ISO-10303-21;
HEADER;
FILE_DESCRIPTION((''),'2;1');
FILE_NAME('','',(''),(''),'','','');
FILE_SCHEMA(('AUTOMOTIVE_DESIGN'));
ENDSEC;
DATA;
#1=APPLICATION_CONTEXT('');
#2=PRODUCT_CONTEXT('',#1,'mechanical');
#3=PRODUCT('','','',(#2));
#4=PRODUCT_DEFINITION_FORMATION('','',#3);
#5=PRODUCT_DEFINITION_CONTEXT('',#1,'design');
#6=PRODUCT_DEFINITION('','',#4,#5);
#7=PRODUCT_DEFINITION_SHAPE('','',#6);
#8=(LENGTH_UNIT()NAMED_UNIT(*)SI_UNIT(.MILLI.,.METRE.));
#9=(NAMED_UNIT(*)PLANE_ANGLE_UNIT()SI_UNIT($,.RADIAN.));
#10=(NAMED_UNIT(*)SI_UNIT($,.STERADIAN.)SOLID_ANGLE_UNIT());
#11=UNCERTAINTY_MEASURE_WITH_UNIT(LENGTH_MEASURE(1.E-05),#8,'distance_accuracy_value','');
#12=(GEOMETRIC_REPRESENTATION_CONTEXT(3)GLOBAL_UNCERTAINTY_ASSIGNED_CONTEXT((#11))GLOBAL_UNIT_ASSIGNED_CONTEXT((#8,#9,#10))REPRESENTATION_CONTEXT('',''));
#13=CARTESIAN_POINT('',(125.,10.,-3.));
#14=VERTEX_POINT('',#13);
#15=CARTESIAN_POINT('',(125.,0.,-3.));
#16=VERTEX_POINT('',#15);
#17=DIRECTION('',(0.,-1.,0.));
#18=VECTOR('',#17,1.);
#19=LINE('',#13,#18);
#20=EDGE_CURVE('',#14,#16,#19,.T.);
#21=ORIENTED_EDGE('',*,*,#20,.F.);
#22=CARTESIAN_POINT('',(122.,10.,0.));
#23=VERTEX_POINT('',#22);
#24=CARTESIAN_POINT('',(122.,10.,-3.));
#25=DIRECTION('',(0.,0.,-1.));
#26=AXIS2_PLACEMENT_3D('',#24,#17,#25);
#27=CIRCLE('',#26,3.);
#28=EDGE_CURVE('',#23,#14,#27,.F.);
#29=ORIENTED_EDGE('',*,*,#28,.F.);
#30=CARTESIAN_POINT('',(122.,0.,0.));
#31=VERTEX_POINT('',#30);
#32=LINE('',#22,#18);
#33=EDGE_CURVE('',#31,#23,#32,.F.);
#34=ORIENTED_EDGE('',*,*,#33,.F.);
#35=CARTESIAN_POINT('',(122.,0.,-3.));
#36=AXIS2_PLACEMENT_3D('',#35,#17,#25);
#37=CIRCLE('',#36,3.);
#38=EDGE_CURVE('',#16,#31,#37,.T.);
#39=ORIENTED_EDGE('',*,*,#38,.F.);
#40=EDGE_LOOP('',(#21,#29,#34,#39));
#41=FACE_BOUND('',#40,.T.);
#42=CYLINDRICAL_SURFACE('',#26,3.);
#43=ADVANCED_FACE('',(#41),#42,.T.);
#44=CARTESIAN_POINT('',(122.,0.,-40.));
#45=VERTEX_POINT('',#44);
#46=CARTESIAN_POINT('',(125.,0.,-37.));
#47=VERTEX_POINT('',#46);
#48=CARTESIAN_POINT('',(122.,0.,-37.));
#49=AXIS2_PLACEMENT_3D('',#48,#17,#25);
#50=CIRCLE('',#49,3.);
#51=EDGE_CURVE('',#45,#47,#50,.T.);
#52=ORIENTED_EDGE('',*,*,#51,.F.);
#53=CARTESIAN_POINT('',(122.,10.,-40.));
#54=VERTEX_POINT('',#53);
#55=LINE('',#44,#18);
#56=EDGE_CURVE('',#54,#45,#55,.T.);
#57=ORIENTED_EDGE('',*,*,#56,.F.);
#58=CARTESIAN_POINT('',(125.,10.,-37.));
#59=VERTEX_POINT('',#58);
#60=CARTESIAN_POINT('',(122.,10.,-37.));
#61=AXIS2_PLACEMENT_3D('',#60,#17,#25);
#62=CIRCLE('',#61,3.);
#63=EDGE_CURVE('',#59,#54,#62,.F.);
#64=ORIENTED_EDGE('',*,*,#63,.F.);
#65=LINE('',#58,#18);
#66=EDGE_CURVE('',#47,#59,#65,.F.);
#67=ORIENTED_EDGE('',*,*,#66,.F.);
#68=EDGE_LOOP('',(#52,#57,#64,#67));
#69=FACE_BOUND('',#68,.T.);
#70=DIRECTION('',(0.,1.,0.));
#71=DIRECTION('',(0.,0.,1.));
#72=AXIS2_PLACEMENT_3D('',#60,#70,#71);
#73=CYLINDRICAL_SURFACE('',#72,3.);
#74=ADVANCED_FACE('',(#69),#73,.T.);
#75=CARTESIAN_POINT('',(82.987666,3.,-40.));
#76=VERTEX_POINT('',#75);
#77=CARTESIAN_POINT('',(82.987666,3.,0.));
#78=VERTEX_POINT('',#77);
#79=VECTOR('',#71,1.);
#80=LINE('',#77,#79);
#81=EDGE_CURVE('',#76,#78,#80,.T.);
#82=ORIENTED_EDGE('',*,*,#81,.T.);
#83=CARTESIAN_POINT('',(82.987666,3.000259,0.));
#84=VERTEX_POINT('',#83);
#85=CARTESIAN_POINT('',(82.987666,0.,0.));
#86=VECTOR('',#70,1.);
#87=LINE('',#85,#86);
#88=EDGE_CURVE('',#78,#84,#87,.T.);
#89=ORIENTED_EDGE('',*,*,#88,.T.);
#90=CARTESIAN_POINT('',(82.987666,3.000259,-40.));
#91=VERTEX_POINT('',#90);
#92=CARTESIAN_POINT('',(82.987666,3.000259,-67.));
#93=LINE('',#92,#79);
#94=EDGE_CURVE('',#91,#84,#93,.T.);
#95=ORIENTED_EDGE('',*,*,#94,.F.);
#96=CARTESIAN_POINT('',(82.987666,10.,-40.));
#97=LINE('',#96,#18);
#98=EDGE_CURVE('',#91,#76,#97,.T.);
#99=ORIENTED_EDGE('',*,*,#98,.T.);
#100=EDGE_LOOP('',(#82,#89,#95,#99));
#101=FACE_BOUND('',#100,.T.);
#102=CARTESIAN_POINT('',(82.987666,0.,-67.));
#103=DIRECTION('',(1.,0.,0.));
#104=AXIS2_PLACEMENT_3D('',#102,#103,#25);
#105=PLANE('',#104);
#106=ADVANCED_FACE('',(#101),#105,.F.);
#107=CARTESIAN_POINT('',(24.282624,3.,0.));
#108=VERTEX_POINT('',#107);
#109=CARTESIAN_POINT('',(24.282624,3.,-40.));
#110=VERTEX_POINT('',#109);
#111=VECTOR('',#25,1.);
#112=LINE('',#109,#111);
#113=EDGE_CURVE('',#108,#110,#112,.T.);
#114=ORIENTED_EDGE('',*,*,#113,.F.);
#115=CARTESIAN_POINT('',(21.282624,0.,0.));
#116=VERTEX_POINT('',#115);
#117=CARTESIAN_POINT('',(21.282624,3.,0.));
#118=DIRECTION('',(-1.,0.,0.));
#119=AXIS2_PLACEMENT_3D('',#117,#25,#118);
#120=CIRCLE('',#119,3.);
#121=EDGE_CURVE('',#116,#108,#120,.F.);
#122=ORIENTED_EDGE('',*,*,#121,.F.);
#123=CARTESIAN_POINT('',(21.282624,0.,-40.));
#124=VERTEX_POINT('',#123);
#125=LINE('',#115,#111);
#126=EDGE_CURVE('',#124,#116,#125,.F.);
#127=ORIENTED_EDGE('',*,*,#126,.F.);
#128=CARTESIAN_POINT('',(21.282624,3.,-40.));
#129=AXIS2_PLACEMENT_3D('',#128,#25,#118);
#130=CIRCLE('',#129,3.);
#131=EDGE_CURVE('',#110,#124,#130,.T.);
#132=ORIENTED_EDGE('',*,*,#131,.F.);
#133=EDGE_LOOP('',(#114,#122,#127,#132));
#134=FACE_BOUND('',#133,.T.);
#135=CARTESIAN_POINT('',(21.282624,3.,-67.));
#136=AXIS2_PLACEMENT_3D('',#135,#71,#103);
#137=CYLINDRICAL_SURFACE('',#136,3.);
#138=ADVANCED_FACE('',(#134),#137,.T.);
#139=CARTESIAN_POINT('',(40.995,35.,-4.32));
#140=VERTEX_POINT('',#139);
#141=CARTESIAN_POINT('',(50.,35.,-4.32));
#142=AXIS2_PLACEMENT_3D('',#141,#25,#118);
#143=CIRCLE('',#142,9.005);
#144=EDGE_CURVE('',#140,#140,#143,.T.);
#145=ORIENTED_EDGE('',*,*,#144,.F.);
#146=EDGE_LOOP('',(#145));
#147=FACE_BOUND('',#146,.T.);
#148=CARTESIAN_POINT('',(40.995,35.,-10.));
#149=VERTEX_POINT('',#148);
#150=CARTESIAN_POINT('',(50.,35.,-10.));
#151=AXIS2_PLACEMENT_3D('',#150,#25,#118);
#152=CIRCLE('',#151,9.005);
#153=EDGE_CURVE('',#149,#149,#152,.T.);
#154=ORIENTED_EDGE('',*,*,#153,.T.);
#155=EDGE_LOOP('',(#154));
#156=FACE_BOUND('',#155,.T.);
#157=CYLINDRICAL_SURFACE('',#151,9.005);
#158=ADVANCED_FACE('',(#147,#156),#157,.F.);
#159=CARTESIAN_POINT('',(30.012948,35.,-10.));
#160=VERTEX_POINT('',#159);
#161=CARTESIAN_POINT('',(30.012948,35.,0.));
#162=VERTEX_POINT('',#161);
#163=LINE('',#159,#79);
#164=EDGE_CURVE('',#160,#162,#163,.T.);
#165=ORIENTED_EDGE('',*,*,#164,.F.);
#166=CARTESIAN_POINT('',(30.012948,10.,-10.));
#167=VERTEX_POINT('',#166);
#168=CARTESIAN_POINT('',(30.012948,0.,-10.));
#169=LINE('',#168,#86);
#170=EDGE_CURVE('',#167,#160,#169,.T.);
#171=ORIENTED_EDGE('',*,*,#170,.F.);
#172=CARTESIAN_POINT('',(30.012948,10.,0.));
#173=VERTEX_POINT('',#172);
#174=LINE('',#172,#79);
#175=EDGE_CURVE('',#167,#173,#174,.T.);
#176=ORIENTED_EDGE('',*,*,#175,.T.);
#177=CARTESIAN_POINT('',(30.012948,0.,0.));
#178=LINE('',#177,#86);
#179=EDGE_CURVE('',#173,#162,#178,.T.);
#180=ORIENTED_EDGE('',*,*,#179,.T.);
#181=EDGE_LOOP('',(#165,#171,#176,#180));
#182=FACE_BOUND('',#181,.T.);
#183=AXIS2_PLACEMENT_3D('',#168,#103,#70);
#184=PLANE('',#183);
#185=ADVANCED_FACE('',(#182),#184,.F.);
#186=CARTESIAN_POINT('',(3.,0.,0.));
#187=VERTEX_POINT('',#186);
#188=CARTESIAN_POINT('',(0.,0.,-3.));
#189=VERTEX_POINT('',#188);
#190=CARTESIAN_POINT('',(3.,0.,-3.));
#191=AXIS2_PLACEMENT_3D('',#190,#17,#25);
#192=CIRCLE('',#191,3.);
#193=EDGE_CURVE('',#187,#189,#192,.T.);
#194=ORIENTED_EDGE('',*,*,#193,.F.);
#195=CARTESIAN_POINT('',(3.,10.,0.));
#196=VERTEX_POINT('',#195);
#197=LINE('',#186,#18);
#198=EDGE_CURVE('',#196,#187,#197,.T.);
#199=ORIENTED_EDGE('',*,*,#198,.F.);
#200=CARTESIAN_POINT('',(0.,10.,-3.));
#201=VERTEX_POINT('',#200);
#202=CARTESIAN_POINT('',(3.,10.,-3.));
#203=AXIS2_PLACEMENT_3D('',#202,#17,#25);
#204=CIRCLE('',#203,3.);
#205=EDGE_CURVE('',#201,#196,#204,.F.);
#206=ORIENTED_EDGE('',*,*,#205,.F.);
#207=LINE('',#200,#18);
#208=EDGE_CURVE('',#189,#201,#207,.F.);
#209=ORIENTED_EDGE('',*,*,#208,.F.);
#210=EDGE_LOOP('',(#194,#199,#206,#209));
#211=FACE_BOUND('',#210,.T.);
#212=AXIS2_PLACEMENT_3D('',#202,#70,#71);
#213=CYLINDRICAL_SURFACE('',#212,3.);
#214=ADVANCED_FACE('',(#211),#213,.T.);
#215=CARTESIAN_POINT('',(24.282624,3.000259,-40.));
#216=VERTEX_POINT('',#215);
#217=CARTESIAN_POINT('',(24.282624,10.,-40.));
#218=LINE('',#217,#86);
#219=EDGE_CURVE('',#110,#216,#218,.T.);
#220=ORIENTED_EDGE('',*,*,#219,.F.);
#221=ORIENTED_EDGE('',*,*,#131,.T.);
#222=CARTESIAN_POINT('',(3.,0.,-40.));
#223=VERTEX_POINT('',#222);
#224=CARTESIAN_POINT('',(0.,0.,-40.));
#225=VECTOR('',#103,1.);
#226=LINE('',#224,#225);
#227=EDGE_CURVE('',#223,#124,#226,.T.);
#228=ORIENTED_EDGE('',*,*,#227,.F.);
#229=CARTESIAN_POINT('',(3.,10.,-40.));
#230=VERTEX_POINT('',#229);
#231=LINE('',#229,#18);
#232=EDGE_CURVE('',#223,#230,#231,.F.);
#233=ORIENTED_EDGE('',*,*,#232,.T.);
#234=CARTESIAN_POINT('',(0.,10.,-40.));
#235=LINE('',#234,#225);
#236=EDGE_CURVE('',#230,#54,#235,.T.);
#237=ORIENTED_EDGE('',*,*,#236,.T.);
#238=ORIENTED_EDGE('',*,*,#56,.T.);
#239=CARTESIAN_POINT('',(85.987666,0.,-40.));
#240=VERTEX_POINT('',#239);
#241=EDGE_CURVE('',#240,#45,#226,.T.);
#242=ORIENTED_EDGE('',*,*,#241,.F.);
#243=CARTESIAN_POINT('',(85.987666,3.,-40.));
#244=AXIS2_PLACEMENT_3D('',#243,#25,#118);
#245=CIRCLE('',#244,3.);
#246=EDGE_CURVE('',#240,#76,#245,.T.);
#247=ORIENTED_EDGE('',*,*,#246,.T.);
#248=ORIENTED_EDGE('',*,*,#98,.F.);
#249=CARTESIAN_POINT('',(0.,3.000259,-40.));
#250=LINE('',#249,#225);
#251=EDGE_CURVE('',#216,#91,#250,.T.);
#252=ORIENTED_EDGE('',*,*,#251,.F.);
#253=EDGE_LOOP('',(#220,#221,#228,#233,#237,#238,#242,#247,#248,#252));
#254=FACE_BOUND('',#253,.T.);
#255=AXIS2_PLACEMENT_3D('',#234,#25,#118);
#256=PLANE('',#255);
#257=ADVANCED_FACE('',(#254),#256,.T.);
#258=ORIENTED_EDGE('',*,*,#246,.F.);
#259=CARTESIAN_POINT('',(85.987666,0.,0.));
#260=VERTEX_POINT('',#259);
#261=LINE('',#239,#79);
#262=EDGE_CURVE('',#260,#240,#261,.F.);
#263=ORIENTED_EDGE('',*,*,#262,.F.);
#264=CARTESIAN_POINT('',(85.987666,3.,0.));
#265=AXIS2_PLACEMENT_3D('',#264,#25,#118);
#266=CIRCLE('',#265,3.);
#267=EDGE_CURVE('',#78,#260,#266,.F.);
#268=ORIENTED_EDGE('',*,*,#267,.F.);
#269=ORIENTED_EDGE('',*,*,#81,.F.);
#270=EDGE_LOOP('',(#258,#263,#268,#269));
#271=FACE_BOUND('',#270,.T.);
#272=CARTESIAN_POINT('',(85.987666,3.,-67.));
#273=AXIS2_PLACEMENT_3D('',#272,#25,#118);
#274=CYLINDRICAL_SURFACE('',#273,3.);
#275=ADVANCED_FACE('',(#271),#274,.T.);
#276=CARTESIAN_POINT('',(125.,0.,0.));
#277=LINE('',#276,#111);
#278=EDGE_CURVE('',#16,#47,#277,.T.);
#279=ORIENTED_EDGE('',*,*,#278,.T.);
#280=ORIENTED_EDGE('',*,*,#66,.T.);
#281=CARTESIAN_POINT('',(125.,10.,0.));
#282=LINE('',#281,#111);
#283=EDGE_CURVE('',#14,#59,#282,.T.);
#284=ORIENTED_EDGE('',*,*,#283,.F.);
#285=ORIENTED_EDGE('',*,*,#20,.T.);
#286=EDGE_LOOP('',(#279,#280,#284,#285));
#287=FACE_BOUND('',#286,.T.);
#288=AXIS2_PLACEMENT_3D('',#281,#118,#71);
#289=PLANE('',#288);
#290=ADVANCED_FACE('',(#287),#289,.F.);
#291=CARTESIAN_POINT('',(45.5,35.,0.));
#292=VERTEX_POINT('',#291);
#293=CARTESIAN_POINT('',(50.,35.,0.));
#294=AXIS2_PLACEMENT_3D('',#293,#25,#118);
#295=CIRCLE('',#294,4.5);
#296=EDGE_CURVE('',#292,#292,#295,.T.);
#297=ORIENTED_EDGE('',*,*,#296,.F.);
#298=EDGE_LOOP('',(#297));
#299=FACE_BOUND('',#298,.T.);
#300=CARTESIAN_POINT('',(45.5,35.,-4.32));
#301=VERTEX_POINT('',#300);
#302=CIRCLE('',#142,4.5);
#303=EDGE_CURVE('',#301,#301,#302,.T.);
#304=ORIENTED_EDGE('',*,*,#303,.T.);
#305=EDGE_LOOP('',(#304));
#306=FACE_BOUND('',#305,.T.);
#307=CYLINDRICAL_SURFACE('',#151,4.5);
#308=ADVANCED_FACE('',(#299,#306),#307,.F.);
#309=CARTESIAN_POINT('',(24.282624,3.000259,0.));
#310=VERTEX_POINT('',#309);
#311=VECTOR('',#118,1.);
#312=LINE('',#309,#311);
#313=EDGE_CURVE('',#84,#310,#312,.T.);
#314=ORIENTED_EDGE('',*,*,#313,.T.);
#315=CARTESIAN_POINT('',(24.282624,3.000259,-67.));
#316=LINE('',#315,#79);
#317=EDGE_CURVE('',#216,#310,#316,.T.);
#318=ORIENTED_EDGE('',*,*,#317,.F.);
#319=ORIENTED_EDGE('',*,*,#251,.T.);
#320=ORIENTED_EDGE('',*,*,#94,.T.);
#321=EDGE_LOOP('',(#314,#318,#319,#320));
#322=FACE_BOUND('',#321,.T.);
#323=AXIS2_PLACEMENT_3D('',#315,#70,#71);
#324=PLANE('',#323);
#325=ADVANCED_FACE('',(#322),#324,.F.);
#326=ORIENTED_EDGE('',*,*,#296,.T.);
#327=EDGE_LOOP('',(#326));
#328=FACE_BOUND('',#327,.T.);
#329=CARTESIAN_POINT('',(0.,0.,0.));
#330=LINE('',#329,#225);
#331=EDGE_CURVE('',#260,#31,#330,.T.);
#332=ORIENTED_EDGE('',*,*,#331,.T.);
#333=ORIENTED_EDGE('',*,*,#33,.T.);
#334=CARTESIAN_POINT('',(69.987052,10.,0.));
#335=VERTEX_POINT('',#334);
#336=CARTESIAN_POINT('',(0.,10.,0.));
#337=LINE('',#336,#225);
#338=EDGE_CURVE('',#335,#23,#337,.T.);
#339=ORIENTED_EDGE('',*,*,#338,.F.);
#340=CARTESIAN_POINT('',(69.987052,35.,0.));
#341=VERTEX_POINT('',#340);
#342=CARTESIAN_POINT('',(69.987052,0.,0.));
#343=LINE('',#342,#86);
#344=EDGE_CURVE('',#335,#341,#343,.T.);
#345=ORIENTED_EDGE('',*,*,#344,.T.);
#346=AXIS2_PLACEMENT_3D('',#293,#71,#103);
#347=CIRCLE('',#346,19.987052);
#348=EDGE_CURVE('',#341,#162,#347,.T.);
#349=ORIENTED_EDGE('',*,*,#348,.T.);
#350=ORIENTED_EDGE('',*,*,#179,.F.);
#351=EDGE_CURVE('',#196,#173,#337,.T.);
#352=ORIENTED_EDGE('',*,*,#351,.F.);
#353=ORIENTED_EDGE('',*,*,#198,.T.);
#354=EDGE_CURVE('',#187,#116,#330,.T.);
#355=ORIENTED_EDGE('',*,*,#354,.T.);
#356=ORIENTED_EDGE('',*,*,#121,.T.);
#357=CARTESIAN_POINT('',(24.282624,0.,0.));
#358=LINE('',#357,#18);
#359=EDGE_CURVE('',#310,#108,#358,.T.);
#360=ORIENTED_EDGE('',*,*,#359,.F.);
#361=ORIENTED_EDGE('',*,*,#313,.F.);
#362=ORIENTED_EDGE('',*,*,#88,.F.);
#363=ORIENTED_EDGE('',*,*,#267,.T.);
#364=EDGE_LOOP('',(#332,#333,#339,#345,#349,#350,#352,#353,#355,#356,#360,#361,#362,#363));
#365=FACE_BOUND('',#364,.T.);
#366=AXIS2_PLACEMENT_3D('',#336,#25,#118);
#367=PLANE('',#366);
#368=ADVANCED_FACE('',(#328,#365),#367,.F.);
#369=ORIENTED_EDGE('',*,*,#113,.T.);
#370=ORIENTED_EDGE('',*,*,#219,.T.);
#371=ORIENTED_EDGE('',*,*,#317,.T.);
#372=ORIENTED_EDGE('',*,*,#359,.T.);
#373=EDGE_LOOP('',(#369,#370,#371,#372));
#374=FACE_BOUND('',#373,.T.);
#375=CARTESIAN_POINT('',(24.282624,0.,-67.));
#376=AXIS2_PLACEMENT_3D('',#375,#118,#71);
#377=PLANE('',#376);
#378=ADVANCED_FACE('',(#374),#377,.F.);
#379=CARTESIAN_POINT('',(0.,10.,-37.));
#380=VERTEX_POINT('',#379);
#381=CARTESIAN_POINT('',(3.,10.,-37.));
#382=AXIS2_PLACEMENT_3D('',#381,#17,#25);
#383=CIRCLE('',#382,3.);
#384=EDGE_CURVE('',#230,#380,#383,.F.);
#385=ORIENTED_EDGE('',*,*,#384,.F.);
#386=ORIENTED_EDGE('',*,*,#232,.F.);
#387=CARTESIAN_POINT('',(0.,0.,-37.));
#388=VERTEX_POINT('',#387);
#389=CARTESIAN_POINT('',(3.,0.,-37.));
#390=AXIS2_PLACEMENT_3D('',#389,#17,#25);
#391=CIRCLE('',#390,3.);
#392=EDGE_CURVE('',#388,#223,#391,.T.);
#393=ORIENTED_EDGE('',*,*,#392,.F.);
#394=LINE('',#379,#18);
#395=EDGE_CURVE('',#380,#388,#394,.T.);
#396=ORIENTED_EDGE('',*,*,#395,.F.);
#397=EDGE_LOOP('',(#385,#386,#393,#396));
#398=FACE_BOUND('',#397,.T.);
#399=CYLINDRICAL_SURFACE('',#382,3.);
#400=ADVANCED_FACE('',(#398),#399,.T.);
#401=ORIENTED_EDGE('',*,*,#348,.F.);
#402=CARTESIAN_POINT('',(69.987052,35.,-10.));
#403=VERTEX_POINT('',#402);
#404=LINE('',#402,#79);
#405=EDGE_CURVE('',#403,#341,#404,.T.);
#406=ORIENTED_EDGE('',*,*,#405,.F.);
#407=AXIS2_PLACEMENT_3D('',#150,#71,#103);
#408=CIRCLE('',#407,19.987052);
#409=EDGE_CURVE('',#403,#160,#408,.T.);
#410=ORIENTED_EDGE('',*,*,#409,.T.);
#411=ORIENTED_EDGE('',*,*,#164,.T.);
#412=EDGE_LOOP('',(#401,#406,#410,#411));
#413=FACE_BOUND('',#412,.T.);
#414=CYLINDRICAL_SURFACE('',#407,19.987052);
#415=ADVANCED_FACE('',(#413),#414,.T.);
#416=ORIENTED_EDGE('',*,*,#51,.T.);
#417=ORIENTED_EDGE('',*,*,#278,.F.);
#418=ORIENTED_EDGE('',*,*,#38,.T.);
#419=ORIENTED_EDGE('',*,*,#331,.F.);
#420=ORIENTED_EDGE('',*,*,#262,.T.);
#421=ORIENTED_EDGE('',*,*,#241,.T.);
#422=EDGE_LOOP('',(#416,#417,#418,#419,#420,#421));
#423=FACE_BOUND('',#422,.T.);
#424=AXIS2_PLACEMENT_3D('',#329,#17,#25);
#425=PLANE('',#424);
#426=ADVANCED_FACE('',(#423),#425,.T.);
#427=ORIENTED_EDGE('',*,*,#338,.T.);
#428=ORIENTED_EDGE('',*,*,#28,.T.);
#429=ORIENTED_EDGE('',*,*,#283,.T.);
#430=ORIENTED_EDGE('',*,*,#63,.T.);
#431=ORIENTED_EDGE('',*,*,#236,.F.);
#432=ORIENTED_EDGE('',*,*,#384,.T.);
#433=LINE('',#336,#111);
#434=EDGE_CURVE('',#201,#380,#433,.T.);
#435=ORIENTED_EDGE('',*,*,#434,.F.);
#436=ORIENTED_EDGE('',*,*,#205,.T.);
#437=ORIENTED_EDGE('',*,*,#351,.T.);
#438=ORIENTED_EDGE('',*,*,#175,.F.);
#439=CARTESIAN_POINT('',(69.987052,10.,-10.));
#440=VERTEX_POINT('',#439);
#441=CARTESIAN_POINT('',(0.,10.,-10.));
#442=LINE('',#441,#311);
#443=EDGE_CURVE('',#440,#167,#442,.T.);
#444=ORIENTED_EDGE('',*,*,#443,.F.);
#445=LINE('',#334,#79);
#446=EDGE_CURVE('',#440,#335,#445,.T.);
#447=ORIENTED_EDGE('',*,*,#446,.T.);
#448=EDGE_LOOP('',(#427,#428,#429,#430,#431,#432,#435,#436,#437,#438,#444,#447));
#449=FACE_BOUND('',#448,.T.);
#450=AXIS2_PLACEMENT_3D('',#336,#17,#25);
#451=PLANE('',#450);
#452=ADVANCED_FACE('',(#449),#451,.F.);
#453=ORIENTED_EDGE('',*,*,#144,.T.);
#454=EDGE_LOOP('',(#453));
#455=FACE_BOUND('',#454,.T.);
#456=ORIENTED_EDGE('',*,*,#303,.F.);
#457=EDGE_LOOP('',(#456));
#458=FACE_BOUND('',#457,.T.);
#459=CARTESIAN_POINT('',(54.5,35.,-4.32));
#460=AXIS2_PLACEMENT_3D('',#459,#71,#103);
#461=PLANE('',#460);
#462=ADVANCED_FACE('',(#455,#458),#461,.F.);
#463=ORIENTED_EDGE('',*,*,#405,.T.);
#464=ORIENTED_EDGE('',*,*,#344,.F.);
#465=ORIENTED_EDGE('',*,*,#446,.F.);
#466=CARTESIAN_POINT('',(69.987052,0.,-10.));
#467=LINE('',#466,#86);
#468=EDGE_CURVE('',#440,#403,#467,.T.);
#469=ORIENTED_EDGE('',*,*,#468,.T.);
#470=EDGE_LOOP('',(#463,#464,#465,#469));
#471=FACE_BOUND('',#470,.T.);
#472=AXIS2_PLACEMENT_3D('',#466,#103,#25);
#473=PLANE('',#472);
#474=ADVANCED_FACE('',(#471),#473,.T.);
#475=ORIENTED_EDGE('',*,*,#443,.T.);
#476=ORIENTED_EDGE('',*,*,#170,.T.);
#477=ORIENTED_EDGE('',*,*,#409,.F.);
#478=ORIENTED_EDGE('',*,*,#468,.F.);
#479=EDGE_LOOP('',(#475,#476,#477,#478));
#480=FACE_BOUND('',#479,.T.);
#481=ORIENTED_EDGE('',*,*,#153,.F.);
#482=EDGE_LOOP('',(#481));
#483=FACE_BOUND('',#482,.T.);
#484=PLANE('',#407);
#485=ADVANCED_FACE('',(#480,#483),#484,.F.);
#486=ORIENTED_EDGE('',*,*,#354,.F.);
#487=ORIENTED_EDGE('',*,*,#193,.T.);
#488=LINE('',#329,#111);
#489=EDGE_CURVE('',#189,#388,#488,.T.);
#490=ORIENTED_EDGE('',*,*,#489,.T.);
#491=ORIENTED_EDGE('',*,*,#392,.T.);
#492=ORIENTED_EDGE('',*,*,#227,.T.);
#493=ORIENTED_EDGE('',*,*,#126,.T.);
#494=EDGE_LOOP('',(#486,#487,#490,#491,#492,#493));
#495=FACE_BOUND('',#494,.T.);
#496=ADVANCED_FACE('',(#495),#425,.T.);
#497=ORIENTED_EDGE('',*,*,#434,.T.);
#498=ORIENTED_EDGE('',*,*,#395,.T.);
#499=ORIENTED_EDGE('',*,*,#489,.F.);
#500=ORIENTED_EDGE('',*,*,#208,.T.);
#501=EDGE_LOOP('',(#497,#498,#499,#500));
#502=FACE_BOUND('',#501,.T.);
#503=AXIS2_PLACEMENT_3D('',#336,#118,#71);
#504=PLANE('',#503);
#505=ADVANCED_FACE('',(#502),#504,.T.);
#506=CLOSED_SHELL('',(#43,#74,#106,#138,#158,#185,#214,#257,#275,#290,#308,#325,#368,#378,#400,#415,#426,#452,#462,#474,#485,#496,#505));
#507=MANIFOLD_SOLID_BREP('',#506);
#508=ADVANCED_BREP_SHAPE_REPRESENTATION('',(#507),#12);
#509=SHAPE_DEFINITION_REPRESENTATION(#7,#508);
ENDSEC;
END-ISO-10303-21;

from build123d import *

# Parameters (mm, degrees)
SKETCH1_W                               = 125
SKETCH1_H                               = 40
BOSS_EXTRUDE1_DEPTH                     = 10
BOSS_EXTRUDE2_DEPTH                     = 10
SKETCH9_W                               = 58.70504164
SKETCH9_H                               = 3.000259145
CUT_EXTRUDE1_DEPTH                      = 67
FILLET1_R                               = 3
FILLET2_R                               = 3
CBORE_FOR_M8_HEX_HEAD_BOLT1_D           = 9
CBORE_FOR_M8_HEX_HEAD_BOLT1_CBORE_D     = 18.01
CBORE_FOR_M8_HEX_HEAD_BOLT1_CBORE_DEPTH = 5.68


with BuildPart() as part:
    # Sketch1 → Boss-Extrude1 (new body)
    with BuildSketch(Plane(origin=(0, 0, 0), x_dir=(1, 0, 0), z_dir=(0, 1, 0))):
        with Locations((62.5, 20)):
            Rectangle(SKETCH1_W, SKETCH1_H)
    extrude(amount=BOSS_EXTRUDE1_DEPTH)

    # Sketch4 → Boss-Extrude2 (add)
    with BuildSketch(Plane.XY):
        with BuildLine():
            Line((30.012948081, 0), (69.987051919, 0))
            Line((69.987051919, 0), (69.987051919, 35))
            ThreePointArc((69.987051919, 35), (50, 54.987051919), (30.012948081, 35))
            Line((30.012948081, 35), (30.012948081, 0))
        make_face()
    extrude(amount=-BOSS_EXTRUDE2_DEPTH)

    # Sketch9 → Cut-Extrude1 (cut)
    with BuildSketch(Plane.XY):
        with Locations((53.635144719, 1.500129573)):
            Rectangle(SKETCH9_W, SKETCH9_H)
    extrude(amount=-CUT_EXTRUDE1_DEPTH, mode=Mode.SUBTRACT)

    # Fillet1
    fillet1_edges = [part.edges().sort_by_distance(p)[0] for p in [
        (0, 5, 0),
        (125, 5, 0),
        (125, 5, -40),
        (0, 5, -40),
    ]]
    fillet(fillet1_edges, radius=FILLET1_R)

    # Fillet2
    fillet2_edges = [part.edges().sort_by_distance(p)[0] for p in [
        (82.987665539, 0, -20),
        (24.282623899, 0, -20),
    ]]
    fillet(fillet2_edges, radius=FILLET2_R)

    # CBORE for M8 Hex Head Bolt1 (through all)
    with Locations(Plane(origin=(50, 35, -10), x_dir=(-1, 0, 0), z_dir=(0, 0, -1))):
        with Locations((0, 0)):
            CounterBoreHole(CBORE_FOR_M8_HEX_HEAD_BOLT1_D / 2, CBORE_FOR_M8_HEX_HEAD_BOLT1_CBORE_D / 2, CBORE_FOR_M8_HEX_HEAD_BOLT1_CBORE_DEPTH)


solid = part.part
